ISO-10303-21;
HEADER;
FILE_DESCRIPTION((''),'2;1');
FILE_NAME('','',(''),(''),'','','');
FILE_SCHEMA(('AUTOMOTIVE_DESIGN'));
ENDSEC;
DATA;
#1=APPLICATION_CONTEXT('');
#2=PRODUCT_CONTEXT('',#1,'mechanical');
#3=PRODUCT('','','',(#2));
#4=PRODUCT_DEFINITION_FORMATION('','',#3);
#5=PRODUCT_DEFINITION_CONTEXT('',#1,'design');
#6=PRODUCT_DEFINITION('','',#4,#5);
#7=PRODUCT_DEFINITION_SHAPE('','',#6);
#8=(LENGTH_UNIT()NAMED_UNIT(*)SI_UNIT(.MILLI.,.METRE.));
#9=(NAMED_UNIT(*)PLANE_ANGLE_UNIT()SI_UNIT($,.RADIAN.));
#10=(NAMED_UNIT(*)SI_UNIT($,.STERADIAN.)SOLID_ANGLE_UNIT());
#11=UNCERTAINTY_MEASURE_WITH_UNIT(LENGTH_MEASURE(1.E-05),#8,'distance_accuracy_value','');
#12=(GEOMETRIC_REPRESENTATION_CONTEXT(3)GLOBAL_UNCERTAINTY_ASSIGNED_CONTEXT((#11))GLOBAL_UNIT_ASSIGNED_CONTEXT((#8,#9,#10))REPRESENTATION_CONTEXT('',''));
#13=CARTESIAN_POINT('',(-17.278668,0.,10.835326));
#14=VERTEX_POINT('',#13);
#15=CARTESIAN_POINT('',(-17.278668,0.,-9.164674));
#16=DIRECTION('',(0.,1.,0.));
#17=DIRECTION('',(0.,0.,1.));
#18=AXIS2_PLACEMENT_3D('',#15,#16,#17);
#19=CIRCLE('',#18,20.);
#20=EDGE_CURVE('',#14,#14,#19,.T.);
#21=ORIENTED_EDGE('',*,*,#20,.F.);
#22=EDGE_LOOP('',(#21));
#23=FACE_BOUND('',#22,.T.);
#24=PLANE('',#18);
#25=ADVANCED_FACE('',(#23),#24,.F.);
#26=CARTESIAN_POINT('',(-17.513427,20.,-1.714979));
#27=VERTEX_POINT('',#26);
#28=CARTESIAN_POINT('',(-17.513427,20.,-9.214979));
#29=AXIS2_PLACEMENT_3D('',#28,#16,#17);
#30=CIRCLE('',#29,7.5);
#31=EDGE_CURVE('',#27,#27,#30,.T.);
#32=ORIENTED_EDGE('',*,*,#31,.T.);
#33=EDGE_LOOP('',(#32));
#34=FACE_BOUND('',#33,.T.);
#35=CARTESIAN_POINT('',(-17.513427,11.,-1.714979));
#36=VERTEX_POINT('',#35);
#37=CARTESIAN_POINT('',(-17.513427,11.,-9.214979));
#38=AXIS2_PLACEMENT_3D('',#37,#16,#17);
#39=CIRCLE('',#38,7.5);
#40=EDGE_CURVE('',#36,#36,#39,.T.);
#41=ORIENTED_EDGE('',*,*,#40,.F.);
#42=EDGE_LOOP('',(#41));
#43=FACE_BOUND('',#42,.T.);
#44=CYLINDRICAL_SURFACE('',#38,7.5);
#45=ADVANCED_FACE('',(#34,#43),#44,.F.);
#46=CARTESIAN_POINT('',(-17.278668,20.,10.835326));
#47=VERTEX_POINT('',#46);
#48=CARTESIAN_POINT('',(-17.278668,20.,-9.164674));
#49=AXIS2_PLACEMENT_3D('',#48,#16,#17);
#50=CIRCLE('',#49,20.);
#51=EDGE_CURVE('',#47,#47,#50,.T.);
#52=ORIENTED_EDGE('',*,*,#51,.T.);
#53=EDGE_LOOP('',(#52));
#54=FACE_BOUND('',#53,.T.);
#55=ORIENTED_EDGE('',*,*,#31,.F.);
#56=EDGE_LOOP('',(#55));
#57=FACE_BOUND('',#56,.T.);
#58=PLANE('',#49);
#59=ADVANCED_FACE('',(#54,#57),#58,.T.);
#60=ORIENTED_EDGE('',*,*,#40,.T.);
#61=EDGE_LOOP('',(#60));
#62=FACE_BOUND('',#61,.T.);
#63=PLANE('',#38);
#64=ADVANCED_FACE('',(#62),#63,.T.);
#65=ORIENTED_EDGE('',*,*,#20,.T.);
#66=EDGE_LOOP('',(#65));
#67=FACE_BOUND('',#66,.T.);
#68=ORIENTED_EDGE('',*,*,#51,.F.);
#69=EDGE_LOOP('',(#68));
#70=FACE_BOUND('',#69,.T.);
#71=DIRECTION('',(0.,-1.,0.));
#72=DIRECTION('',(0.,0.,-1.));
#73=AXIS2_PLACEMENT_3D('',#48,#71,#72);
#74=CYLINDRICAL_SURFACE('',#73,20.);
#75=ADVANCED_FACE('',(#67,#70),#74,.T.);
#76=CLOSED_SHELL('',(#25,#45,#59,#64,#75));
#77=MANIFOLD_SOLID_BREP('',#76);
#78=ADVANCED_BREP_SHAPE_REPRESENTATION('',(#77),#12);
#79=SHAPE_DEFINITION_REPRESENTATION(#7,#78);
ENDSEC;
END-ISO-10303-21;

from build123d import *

# Parameters (mm, degrees)
SKETCH1_R           = 20
BOSS_EXTRUDE3_DEPTH = 20
SKETCH4_R           = 7.5
CUT_EXTRUDE1_DEPTH  = 9


with BuildPart() as part:
    # Sketch1 → Boss-Extrude3 (new body)
    with BuildSketch(Plane(origin=(0, 0, 0), x_dir=(1, 0, 0), z_dir=(0, 1, 0))):
        with Locations(Location((-17.278667571, 9.164673689, 0), (0, 0, 270))):
            Circle(SKETCH1_R)
    extrude(amount=BOSS_EXTRUDE3_DEPTH)

    # Sketch4 → Cut-Extrude1 (cut)
    with BuildSketch(Plane(origin=(0, 20, 0), x_dir=(1, 0, 0), z_dir=(0, 1, 0))):
        with Locations(Location((-17.513426745, 9.214979227, 0), (0, 0, 270))):
            Circle(SKETCH4_R)
    extrude(amount=-CUT_EXTRUDE1_DEPTH, mode=Mode.SUBTRACT)


solid = part.part
